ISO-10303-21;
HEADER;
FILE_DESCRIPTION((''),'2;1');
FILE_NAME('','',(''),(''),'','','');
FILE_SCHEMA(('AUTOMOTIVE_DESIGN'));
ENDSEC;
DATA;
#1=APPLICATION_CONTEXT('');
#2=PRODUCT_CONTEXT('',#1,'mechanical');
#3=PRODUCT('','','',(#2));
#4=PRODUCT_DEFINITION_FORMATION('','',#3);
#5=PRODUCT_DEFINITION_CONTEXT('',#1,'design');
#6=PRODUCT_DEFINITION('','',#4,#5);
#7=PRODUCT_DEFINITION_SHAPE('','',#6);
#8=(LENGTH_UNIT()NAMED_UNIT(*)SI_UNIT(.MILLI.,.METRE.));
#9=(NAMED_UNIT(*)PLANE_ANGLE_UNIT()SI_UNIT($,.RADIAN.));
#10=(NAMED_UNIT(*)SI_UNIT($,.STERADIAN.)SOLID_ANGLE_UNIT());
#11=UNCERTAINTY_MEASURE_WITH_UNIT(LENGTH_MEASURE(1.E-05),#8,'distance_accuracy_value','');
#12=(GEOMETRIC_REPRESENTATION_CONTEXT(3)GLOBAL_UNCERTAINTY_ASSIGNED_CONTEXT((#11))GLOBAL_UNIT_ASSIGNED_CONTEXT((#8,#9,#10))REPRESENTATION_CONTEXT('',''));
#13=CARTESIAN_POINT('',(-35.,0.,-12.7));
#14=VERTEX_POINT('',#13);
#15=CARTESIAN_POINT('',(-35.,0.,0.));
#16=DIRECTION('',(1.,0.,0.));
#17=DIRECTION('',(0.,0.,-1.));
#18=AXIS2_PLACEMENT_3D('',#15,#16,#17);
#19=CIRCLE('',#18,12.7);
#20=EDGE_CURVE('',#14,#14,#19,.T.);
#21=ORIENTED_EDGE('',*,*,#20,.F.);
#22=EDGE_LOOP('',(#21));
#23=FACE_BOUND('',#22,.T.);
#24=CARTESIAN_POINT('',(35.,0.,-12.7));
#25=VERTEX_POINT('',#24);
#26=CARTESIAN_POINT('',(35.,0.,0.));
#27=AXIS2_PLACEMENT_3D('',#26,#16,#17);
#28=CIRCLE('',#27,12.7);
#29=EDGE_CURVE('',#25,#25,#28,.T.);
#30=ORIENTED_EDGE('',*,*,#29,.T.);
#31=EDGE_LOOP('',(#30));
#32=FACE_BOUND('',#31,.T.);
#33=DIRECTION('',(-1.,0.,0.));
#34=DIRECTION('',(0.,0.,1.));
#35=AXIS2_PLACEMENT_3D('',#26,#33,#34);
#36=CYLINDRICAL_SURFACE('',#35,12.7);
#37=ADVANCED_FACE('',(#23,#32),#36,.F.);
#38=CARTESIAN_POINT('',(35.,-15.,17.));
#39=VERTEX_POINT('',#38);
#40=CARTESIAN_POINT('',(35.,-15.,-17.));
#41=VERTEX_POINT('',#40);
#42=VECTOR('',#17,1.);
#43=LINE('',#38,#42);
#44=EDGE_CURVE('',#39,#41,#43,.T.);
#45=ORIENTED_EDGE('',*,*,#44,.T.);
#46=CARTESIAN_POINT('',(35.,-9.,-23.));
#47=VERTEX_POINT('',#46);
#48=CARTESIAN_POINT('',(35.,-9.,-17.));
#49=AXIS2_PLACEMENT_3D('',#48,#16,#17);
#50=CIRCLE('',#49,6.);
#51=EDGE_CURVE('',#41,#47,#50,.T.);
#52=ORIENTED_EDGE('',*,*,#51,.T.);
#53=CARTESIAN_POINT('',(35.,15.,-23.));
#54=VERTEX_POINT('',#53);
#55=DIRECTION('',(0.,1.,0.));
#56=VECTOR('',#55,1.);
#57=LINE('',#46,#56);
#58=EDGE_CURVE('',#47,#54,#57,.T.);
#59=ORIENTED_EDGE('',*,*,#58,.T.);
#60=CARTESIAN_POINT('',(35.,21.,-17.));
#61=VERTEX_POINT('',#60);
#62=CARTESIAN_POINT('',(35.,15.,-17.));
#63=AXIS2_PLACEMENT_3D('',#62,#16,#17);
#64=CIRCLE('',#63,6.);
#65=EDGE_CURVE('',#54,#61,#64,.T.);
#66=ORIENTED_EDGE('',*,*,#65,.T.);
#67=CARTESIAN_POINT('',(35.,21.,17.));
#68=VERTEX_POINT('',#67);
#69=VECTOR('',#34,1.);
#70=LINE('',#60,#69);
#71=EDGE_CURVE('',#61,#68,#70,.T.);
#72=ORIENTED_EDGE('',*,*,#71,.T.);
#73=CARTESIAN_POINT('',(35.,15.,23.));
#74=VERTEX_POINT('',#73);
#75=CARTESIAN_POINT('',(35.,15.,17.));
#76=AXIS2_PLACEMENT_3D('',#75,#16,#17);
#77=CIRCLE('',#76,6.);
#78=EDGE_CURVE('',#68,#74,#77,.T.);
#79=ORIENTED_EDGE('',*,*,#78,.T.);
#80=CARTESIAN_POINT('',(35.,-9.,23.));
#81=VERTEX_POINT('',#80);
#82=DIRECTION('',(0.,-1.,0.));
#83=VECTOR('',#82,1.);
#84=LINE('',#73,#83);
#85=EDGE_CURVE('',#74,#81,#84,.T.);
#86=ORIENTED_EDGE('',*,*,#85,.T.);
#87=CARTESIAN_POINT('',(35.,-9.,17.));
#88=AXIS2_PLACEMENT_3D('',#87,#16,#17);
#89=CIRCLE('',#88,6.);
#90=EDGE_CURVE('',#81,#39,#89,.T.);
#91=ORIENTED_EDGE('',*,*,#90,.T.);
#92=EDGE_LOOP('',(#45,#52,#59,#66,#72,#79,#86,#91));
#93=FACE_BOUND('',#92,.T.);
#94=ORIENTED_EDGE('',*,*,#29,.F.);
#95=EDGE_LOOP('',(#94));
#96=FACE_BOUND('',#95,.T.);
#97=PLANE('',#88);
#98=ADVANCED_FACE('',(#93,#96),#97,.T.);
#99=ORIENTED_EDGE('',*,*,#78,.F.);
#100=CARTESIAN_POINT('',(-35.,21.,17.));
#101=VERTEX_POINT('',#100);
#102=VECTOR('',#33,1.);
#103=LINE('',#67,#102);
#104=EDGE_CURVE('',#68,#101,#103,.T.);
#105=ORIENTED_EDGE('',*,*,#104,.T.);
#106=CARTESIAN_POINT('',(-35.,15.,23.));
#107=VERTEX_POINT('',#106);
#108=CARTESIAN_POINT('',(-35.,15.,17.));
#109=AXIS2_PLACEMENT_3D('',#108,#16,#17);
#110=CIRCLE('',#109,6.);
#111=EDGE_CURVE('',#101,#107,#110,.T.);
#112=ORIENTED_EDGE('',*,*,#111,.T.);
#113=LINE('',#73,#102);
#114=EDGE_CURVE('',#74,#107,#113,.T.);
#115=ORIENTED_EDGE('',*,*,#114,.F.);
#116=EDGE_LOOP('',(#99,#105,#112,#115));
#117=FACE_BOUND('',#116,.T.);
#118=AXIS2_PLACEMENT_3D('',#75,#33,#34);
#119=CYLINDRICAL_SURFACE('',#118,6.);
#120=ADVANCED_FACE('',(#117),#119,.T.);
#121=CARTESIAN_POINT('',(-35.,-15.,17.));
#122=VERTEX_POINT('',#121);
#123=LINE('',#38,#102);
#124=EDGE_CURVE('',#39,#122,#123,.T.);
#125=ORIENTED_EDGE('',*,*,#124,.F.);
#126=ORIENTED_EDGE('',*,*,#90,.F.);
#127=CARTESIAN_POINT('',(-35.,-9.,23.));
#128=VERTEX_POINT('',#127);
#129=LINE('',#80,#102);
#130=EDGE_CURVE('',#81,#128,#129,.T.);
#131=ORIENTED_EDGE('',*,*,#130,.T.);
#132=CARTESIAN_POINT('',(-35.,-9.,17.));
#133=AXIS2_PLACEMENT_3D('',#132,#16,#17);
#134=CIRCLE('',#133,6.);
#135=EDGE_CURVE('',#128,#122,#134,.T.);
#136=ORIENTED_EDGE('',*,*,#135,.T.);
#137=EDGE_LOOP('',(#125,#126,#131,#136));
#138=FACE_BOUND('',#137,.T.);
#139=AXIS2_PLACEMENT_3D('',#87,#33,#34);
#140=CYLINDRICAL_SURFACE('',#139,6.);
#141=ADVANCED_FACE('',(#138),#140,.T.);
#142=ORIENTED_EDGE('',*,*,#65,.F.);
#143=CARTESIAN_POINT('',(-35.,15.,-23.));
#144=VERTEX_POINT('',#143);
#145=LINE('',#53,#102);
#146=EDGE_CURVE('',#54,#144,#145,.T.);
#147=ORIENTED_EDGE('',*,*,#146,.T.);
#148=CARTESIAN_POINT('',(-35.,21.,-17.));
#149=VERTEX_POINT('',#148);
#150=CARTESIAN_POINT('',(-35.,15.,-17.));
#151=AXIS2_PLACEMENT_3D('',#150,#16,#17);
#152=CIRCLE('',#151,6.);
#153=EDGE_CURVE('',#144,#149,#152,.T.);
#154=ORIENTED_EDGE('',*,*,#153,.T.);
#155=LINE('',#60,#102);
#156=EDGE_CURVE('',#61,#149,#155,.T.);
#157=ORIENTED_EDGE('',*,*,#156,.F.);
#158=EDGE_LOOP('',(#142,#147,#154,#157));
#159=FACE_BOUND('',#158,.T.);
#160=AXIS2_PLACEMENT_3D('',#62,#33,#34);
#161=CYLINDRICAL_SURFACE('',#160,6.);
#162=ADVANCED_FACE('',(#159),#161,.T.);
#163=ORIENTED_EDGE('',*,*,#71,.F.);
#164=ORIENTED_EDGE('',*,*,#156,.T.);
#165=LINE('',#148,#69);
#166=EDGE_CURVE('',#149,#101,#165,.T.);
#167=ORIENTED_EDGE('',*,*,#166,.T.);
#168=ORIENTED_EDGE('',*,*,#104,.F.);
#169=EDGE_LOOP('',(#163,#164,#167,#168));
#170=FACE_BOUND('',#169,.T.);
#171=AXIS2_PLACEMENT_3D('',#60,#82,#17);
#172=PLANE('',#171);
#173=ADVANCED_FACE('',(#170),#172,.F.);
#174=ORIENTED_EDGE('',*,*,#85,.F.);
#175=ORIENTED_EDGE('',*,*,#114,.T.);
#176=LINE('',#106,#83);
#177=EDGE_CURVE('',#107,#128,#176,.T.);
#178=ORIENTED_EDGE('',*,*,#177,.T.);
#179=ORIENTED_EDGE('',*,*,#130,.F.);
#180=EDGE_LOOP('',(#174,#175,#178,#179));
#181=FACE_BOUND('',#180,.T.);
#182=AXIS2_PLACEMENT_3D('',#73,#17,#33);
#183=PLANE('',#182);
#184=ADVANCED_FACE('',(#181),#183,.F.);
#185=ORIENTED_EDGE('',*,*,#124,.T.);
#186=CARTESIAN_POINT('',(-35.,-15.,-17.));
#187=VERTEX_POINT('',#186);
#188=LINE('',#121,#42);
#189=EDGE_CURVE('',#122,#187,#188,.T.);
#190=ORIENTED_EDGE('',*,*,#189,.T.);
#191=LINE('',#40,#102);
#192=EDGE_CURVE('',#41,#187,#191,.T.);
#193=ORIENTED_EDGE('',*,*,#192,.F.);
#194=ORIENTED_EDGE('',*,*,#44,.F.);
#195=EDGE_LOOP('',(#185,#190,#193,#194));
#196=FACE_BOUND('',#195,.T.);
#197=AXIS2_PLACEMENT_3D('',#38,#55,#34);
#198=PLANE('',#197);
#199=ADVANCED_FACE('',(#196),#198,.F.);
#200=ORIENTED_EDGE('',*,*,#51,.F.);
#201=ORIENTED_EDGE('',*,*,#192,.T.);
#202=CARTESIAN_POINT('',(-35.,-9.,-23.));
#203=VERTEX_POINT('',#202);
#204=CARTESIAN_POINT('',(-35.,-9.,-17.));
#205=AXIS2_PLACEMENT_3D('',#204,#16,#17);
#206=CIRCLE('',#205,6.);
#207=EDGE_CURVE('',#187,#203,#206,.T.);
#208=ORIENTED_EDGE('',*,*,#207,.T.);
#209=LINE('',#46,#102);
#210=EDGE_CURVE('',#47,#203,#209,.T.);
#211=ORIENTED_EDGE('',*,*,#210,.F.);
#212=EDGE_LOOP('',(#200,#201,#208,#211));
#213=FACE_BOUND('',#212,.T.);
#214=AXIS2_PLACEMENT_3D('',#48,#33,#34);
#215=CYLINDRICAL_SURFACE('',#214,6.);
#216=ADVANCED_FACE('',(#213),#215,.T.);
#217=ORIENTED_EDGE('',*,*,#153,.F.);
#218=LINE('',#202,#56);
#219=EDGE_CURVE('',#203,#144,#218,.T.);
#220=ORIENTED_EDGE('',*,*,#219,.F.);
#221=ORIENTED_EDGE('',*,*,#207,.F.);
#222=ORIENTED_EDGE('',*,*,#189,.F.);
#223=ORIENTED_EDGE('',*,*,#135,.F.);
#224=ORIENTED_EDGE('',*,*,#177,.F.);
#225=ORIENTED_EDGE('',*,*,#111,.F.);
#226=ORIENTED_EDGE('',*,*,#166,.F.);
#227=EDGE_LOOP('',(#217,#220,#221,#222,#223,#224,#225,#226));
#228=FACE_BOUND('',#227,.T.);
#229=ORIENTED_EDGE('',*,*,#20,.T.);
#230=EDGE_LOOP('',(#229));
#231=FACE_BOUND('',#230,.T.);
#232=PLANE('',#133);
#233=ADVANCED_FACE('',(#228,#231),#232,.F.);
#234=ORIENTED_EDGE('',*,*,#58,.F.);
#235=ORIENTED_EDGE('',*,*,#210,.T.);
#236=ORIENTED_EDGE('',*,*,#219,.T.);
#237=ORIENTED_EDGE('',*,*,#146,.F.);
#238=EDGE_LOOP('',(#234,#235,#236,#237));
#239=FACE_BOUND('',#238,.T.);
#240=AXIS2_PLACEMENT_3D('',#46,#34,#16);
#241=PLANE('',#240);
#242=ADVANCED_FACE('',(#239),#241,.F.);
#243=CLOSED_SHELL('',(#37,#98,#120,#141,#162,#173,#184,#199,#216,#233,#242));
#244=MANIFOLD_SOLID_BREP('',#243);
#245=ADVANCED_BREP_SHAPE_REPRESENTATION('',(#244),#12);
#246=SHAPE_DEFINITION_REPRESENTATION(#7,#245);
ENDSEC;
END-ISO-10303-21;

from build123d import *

# Parameters (mm, degrees)
SKETCH1_R           = 12.7
BOSS_EXTRUDE1_DEPTH = 35


with BuildPart() as part:
    # Sketch1 → Boss-Extrude1 (new, symmetric)
    with BuildSketch(Plane(origin=(0, 0, 0), x_dir=(0, 0, -1), z_dir=(1, 0, 0))):
        with BuildLine():
            Line((-17, -15), (17, -15))
            ThreePointArc((17, -15), (21.242640687, -13.242640687), (23, -9))
            Line((23, -9), (23, 15))
            ThreePointArc((23, 15), (21.242640687, 19.242640687), (17, 21))
            Line((17, 21), (-17, 21))
            ThreePointArc((-17, 21), (-21.242640687, 19.242640687), (-23, 15))
            Line((-23, 15), (-23, -9))
            ThreePointArc((-23, -9), (-21.242640687, -13.242640687), (-17, -15))
        make_face()
        Circle(SKETCH1_R, mode=Mode.SUBTRACT)
    extrude(amount=BOSS_EXTRUDE1_DEPTH, both=True)


solid = part.part
